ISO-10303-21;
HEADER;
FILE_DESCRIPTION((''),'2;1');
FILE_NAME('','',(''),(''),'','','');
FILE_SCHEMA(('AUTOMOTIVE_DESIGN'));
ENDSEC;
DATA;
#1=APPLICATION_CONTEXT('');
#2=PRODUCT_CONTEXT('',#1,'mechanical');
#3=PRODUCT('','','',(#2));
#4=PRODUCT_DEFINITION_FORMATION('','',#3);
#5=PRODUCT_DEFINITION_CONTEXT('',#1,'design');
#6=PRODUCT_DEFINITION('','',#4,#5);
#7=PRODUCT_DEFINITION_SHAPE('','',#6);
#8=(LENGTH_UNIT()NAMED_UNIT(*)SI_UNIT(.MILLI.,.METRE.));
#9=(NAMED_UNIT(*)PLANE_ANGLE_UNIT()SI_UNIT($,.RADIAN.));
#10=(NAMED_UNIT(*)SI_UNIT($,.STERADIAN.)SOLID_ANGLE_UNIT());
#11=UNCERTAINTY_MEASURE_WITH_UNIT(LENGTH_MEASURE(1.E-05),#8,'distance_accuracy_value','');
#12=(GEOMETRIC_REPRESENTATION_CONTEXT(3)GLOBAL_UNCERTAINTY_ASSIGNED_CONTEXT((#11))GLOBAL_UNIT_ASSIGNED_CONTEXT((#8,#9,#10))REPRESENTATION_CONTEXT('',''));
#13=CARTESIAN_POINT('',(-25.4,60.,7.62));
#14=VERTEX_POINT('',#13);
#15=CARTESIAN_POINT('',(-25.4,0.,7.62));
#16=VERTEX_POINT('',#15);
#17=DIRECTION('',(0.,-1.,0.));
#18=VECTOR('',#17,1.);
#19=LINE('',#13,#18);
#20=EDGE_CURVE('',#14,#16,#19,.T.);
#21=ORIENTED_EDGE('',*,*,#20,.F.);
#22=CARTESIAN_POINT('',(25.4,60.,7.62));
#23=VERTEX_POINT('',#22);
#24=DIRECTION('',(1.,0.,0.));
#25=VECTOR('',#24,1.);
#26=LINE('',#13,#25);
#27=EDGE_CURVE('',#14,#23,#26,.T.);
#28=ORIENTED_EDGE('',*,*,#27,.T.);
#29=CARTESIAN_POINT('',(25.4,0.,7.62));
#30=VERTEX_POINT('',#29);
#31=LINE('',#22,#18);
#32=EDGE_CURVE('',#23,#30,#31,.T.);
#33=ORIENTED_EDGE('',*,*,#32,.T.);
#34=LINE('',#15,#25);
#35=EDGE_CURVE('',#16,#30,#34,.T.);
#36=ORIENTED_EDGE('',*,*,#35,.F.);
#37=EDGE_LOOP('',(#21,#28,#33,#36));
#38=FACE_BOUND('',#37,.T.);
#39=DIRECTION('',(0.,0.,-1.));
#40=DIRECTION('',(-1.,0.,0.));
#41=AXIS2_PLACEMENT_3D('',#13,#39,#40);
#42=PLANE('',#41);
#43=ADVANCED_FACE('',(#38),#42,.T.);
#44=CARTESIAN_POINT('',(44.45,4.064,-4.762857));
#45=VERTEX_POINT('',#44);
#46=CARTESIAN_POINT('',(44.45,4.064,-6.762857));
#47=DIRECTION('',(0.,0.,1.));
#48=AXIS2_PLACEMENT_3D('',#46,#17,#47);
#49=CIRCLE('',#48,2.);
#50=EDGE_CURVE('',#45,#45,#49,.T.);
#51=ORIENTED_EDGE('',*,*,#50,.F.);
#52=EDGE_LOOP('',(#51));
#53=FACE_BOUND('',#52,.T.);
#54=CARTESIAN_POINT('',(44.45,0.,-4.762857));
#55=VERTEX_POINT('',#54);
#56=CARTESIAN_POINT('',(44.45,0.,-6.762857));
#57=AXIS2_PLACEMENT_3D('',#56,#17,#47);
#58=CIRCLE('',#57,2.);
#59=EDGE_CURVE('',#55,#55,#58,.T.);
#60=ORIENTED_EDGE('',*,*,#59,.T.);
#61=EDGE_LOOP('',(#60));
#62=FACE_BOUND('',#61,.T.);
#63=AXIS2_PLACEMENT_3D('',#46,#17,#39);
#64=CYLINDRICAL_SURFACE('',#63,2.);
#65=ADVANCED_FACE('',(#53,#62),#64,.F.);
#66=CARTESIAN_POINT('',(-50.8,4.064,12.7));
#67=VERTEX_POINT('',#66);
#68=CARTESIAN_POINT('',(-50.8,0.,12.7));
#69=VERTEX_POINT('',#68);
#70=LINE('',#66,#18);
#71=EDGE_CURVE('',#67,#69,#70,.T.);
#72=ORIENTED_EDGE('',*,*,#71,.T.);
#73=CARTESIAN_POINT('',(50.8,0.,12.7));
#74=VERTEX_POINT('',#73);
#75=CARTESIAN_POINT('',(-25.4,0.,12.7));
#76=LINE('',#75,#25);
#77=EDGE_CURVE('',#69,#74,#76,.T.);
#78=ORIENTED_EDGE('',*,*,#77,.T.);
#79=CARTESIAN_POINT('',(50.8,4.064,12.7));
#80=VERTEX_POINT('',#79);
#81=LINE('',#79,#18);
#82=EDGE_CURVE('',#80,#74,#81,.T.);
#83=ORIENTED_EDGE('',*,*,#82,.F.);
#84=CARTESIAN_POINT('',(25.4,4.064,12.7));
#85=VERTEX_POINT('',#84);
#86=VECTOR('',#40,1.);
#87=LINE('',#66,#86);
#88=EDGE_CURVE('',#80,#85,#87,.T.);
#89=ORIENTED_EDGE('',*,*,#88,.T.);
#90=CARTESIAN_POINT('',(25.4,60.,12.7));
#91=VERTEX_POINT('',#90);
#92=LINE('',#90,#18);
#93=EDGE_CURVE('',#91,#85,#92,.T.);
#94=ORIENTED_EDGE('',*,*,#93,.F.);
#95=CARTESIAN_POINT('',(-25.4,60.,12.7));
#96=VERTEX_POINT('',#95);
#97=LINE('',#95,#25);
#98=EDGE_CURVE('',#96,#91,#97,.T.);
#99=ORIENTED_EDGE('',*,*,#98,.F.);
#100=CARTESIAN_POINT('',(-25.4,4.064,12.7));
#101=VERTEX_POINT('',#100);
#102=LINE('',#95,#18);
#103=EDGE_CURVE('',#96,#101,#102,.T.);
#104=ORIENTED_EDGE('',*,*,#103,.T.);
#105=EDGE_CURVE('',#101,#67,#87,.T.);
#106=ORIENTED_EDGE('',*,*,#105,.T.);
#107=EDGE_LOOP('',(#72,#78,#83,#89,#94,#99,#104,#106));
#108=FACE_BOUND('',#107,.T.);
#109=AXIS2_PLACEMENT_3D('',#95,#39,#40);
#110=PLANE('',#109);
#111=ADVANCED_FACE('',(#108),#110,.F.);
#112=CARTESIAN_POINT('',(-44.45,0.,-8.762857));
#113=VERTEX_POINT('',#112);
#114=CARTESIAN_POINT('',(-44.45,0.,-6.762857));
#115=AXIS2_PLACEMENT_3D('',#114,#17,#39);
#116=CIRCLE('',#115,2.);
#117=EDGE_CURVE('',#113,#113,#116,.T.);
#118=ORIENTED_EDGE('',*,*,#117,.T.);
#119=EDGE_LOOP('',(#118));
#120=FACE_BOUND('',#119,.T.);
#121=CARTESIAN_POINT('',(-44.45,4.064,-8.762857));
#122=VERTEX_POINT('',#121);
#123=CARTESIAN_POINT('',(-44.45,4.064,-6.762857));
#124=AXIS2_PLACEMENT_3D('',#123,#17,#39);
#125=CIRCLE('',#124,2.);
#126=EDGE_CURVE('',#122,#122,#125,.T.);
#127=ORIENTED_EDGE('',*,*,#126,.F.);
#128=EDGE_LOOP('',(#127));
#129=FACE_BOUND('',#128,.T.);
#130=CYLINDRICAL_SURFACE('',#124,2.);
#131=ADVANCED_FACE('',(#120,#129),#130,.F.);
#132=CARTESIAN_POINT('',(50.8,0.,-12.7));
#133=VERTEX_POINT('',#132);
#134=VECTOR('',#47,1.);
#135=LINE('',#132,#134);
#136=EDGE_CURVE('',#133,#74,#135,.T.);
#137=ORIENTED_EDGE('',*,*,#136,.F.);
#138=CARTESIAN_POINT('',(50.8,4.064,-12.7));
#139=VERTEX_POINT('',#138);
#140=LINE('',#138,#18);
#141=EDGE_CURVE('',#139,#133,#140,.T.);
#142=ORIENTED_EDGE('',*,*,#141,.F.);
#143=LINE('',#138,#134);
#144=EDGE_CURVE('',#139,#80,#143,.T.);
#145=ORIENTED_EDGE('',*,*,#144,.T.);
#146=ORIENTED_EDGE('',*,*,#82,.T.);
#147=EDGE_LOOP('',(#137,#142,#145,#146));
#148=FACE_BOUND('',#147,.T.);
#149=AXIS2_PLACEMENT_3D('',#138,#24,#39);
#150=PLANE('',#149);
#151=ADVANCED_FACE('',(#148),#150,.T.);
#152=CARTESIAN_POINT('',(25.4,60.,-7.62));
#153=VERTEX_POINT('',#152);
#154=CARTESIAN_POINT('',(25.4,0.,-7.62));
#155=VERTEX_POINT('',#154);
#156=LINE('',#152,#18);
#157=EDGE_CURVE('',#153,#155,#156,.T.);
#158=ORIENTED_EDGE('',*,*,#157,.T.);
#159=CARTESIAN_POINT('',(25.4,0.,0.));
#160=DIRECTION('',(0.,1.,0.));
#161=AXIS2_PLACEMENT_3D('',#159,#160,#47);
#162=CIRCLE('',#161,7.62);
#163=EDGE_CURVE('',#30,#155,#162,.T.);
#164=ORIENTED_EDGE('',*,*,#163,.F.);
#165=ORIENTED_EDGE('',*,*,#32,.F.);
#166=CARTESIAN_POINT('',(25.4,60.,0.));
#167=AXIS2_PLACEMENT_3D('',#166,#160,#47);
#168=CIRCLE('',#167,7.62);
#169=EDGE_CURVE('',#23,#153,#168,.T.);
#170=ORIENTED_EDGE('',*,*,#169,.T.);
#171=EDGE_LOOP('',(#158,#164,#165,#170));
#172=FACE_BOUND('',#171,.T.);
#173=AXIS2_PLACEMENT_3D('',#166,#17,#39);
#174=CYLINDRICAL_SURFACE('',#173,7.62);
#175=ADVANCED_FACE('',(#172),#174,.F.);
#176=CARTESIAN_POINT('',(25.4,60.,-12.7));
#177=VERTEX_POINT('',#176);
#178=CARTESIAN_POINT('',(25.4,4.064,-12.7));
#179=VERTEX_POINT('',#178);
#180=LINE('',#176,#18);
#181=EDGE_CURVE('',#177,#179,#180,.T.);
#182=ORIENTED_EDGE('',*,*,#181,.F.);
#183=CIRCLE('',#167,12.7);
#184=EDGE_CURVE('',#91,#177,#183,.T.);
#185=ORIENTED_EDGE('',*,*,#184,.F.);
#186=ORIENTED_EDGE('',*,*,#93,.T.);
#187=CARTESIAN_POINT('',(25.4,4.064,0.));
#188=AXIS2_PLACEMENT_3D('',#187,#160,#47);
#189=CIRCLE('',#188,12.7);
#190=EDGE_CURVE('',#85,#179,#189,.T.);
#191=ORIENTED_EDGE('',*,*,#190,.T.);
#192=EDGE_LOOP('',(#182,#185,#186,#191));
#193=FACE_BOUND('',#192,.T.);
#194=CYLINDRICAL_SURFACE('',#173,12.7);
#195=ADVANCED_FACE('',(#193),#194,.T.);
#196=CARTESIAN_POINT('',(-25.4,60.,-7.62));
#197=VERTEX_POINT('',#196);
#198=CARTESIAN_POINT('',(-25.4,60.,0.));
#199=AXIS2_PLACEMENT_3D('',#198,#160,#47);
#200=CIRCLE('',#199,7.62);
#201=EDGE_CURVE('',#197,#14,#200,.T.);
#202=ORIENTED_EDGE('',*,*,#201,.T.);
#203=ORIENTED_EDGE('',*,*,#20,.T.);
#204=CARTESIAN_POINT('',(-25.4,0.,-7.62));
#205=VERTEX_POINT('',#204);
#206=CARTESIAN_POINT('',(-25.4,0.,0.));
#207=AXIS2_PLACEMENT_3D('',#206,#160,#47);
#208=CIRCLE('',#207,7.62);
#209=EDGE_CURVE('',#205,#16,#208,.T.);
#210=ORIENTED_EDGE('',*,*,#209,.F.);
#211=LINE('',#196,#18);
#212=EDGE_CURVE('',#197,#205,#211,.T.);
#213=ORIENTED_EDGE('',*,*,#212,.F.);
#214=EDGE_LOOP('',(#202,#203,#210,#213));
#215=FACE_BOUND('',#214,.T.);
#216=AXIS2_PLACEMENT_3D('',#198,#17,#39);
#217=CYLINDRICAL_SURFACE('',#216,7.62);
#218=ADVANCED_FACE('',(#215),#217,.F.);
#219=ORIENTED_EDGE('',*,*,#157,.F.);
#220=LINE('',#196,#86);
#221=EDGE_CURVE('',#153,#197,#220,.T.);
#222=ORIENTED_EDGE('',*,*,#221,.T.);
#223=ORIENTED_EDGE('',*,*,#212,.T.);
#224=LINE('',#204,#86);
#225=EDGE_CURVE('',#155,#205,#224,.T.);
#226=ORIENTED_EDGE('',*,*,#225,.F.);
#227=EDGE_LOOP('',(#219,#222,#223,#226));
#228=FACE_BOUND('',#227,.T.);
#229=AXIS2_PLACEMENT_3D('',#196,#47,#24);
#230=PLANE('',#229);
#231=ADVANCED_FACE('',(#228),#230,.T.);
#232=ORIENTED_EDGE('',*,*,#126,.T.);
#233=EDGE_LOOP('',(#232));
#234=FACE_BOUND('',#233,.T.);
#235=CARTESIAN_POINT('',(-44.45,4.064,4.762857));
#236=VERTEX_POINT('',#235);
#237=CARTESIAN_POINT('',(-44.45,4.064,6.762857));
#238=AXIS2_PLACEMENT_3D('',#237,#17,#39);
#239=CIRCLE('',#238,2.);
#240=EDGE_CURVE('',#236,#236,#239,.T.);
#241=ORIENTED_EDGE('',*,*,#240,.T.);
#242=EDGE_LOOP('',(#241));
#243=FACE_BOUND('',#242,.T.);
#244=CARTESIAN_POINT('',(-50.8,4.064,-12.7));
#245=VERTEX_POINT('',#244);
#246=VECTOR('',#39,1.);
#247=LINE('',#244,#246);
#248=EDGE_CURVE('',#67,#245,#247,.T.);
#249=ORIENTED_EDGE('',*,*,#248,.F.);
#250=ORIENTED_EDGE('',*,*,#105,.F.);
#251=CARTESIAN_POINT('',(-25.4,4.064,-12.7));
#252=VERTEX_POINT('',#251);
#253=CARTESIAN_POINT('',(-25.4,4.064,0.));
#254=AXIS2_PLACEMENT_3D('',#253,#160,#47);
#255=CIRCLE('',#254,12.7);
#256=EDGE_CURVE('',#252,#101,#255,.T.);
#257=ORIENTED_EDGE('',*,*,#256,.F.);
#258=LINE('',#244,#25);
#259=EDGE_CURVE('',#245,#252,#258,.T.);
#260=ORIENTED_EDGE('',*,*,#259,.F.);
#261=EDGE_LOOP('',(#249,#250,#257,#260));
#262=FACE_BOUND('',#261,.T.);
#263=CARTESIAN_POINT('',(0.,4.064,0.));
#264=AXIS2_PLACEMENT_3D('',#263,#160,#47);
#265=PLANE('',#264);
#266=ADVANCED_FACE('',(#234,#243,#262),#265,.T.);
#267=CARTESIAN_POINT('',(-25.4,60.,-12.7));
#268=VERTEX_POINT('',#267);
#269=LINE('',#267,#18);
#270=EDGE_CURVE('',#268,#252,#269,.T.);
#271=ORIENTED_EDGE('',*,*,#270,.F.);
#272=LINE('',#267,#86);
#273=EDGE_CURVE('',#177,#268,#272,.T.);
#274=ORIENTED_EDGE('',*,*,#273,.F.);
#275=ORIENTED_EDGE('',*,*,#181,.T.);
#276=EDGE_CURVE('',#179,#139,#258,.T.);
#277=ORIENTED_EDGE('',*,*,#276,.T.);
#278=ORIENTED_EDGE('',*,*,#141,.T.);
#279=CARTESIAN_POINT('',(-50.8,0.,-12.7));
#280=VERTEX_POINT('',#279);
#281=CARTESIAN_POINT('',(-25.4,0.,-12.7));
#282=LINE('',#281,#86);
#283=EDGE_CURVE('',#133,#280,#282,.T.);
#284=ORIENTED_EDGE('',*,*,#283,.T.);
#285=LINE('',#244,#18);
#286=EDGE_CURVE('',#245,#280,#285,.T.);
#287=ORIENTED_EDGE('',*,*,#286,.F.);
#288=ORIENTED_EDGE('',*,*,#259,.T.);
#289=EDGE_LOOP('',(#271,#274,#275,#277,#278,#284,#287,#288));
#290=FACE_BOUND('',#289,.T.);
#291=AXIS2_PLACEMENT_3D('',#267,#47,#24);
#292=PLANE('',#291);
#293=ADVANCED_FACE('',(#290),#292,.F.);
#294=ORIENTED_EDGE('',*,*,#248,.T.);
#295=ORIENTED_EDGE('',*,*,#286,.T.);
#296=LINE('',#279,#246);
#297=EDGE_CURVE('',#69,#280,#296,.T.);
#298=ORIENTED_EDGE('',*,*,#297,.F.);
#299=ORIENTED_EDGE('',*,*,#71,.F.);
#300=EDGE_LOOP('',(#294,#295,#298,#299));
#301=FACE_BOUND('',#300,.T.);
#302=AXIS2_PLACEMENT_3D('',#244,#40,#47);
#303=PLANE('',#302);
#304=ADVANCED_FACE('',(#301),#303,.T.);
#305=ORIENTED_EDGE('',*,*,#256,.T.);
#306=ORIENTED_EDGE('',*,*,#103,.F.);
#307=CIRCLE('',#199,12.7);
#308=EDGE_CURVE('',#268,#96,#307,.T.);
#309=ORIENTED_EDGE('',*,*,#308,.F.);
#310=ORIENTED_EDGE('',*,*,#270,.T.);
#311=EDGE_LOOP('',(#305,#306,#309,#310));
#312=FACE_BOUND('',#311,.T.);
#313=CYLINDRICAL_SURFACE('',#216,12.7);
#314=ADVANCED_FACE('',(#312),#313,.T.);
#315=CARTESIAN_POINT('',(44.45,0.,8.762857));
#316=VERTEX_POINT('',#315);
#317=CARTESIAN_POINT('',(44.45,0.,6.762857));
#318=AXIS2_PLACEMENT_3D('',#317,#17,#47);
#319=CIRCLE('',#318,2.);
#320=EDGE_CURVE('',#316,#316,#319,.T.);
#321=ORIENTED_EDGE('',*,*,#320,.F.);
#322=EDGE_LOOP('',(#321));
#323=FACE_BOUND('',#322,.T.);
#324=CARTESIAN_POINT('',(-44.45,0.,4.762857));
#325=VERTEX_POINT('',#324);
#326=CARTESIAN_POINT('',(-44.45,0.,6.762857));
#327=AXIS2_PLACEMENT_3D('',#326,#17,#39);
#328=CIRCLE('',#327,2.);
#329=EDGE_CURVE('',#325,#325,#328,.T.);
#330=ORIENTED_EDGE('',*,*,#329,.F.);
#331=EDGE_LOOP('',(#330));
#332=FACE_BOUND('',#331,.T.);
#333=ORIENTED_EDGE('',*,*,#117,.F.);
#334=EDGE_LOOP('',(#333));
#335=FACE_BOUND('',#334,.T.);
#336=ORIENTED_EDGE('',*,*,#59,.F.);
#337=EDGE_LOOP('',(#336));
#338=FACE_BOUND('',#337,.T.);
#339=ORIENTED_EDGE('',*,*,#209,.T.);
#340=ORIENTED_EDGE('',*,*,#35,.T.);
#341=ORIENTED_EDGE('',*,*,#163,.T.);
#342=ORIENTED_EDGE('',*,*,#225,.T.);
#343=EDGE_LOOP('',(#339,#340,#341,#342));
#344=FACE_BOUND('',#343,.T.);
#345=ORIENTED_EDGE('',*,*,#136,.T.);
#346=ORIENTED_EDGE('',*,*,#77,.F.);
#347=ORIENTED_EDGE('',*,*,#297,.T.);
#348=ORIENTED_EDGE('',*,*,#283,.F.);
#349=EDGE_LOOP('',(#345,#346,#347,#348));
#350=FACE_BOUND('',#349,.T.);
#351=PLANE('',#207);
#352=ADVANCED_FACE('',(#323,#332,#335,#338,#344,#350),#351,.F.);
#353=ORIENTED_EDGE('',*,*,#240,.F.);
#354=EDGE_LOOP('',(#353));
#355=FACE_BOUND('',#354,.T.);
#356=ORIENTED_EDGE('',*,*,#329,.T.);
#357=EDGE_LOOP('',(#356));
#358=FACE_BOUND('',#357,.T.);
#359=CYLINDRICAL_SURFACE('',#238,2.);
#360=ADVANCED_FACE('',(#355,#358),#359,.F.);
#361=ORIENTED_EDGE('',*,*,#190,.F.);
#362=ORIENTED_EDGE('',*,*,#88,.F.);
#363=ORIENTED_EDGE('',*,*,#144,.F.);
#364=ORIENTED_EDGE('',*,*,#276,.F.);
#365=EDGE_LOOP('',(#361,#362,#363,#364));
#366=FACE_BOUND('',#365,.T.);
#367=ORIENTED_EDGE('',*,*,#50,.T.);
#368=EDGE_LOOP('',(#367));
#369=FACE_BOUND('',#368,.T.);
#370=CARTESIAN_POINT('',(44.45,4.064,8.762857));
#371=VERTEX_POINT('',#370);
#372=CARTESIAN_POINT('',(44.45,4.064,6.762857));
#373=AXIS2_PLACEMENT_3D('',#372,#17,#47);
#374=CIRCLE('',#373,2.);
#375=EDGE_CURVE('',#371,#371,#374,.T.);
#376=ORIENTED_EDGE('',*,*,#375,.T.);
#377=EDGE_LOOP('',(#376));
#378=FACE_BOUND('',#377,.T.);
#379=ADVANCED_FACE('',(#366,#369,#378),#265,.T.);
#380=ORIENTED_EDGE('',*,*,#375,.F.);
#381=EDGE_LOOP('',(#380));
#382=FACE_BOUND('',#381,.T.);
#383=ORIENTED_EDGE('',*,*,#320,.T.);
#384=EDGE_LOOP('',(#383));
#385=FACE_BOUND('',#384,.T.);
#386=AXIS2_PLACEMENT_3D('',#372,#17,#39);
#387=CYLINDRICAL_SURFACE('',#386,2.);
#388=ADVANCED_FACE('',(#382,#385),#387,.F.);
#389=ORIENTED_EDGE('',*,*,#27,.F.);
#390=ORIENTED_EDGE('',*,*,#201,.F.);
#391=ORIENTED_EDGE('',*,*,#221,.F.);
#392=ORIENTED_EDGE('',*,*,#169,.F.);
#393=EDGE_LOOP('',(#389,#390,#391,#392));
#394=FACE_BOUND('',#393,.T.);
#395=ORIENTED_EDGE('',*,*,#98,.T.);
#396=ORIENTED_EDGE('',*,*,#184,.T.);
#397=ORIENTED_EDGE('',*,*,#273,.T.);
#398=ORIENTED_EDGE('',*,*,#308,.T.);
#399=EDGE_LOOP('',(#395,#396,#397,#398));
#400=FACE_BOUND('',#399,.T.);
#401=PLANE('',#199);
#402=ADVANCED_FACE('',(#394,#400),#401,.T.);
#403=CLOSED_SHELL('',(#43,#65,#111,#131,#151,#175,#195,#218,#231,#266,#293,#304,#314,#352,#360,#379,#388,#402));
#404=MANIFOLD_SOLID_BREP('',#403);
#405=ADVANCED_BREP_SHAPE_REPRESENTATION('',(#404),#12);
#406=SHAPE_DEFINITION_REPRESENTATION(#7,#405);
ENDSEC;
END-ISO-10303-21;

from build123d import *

# Parameters (mm, degrees)
BOSS_EXTRUDE1_DEPTH = 60
SKETCH2_W           = 101.6
SKETCH2_H           = 25.4
SKETCH2_R           = 2
BOSS_EXTRUDE2_DEPTH = 4.064


with BuildPart() as part:
    # Sketch1 → Boss-Extrude1 (new body)
    with BuildSketch(Plane(origin=(0, 0, 0), x_dir=(1, 0, 0), z_dir=(0, 1, 0))):
        with BuildLine():
            Line((-25.4, -12.7), (25.4, -12.7))
            ThreePointArc((25.4, -12.7), (38.1, 0), (25.4, 12.7))
            Line((25.4, 12.7), (-25.4, 12.7))
            ThreePointArc((-25.4, 12.7), (-38.1, 0), (-25.4, -12.7))
        make_face()
        with BuildLine():
            Line((-25.4, -7.62), (25.4, -7.62))
            ThreePointArc((25.4, -7.62), (33.02, 0), (25.4, 7.62))
            Line((25.4, 7.62), (-25.4, 7.62))
            ThreePointArc((-25.4, 7.62), (-33.02, 0), (-25.4, -7.62))
        make_face(mode=Mode.SUBTRACT)
    extrude(amount=BOSS_EXTRUDE1_DEPTH)

    # Sketch2 → Boss-Extrude2 (add)
    with BuildSketch(Plane.XZ):
        Rectangle(SKETCH2_W, SKETCH2_H)
        with Locations((-44.45, -6.762856744)):
            Circle(SKETCH2_R, mode=Mode.SUBTRACT)
        with Locations((-44.45, 6.762856744)):
            Circle(SKETCH2_R, mode=Mode.SUBTRACT)
        with Locations((44.45, 6.762856744)):
            Circle(SKETCH2_R, mode=Mode.SUBTRACT)
        with Locations((44.45, -6.762856744)):
            Circle(SKETCH2_R, mode=Mode.SUBTRACT)
        with BuildLine():
            Line((-25.4, -7.62), (25.4, -7.62))
            ThreePointArc((25.4, -7.62), (33.02, 0), (25.4, 7.62))
            Line((25.4, 7.62), (-25.4, 7.62))
            ThreePointArc((-25.4, 7.62), (-33.02, 0), (-25.4, -7.62))
        make_face(mode=Mode.SUBTRACT)
    extrude(amount=-BOSS_EXTRUDE2_DEPTH)


solid = part.part
